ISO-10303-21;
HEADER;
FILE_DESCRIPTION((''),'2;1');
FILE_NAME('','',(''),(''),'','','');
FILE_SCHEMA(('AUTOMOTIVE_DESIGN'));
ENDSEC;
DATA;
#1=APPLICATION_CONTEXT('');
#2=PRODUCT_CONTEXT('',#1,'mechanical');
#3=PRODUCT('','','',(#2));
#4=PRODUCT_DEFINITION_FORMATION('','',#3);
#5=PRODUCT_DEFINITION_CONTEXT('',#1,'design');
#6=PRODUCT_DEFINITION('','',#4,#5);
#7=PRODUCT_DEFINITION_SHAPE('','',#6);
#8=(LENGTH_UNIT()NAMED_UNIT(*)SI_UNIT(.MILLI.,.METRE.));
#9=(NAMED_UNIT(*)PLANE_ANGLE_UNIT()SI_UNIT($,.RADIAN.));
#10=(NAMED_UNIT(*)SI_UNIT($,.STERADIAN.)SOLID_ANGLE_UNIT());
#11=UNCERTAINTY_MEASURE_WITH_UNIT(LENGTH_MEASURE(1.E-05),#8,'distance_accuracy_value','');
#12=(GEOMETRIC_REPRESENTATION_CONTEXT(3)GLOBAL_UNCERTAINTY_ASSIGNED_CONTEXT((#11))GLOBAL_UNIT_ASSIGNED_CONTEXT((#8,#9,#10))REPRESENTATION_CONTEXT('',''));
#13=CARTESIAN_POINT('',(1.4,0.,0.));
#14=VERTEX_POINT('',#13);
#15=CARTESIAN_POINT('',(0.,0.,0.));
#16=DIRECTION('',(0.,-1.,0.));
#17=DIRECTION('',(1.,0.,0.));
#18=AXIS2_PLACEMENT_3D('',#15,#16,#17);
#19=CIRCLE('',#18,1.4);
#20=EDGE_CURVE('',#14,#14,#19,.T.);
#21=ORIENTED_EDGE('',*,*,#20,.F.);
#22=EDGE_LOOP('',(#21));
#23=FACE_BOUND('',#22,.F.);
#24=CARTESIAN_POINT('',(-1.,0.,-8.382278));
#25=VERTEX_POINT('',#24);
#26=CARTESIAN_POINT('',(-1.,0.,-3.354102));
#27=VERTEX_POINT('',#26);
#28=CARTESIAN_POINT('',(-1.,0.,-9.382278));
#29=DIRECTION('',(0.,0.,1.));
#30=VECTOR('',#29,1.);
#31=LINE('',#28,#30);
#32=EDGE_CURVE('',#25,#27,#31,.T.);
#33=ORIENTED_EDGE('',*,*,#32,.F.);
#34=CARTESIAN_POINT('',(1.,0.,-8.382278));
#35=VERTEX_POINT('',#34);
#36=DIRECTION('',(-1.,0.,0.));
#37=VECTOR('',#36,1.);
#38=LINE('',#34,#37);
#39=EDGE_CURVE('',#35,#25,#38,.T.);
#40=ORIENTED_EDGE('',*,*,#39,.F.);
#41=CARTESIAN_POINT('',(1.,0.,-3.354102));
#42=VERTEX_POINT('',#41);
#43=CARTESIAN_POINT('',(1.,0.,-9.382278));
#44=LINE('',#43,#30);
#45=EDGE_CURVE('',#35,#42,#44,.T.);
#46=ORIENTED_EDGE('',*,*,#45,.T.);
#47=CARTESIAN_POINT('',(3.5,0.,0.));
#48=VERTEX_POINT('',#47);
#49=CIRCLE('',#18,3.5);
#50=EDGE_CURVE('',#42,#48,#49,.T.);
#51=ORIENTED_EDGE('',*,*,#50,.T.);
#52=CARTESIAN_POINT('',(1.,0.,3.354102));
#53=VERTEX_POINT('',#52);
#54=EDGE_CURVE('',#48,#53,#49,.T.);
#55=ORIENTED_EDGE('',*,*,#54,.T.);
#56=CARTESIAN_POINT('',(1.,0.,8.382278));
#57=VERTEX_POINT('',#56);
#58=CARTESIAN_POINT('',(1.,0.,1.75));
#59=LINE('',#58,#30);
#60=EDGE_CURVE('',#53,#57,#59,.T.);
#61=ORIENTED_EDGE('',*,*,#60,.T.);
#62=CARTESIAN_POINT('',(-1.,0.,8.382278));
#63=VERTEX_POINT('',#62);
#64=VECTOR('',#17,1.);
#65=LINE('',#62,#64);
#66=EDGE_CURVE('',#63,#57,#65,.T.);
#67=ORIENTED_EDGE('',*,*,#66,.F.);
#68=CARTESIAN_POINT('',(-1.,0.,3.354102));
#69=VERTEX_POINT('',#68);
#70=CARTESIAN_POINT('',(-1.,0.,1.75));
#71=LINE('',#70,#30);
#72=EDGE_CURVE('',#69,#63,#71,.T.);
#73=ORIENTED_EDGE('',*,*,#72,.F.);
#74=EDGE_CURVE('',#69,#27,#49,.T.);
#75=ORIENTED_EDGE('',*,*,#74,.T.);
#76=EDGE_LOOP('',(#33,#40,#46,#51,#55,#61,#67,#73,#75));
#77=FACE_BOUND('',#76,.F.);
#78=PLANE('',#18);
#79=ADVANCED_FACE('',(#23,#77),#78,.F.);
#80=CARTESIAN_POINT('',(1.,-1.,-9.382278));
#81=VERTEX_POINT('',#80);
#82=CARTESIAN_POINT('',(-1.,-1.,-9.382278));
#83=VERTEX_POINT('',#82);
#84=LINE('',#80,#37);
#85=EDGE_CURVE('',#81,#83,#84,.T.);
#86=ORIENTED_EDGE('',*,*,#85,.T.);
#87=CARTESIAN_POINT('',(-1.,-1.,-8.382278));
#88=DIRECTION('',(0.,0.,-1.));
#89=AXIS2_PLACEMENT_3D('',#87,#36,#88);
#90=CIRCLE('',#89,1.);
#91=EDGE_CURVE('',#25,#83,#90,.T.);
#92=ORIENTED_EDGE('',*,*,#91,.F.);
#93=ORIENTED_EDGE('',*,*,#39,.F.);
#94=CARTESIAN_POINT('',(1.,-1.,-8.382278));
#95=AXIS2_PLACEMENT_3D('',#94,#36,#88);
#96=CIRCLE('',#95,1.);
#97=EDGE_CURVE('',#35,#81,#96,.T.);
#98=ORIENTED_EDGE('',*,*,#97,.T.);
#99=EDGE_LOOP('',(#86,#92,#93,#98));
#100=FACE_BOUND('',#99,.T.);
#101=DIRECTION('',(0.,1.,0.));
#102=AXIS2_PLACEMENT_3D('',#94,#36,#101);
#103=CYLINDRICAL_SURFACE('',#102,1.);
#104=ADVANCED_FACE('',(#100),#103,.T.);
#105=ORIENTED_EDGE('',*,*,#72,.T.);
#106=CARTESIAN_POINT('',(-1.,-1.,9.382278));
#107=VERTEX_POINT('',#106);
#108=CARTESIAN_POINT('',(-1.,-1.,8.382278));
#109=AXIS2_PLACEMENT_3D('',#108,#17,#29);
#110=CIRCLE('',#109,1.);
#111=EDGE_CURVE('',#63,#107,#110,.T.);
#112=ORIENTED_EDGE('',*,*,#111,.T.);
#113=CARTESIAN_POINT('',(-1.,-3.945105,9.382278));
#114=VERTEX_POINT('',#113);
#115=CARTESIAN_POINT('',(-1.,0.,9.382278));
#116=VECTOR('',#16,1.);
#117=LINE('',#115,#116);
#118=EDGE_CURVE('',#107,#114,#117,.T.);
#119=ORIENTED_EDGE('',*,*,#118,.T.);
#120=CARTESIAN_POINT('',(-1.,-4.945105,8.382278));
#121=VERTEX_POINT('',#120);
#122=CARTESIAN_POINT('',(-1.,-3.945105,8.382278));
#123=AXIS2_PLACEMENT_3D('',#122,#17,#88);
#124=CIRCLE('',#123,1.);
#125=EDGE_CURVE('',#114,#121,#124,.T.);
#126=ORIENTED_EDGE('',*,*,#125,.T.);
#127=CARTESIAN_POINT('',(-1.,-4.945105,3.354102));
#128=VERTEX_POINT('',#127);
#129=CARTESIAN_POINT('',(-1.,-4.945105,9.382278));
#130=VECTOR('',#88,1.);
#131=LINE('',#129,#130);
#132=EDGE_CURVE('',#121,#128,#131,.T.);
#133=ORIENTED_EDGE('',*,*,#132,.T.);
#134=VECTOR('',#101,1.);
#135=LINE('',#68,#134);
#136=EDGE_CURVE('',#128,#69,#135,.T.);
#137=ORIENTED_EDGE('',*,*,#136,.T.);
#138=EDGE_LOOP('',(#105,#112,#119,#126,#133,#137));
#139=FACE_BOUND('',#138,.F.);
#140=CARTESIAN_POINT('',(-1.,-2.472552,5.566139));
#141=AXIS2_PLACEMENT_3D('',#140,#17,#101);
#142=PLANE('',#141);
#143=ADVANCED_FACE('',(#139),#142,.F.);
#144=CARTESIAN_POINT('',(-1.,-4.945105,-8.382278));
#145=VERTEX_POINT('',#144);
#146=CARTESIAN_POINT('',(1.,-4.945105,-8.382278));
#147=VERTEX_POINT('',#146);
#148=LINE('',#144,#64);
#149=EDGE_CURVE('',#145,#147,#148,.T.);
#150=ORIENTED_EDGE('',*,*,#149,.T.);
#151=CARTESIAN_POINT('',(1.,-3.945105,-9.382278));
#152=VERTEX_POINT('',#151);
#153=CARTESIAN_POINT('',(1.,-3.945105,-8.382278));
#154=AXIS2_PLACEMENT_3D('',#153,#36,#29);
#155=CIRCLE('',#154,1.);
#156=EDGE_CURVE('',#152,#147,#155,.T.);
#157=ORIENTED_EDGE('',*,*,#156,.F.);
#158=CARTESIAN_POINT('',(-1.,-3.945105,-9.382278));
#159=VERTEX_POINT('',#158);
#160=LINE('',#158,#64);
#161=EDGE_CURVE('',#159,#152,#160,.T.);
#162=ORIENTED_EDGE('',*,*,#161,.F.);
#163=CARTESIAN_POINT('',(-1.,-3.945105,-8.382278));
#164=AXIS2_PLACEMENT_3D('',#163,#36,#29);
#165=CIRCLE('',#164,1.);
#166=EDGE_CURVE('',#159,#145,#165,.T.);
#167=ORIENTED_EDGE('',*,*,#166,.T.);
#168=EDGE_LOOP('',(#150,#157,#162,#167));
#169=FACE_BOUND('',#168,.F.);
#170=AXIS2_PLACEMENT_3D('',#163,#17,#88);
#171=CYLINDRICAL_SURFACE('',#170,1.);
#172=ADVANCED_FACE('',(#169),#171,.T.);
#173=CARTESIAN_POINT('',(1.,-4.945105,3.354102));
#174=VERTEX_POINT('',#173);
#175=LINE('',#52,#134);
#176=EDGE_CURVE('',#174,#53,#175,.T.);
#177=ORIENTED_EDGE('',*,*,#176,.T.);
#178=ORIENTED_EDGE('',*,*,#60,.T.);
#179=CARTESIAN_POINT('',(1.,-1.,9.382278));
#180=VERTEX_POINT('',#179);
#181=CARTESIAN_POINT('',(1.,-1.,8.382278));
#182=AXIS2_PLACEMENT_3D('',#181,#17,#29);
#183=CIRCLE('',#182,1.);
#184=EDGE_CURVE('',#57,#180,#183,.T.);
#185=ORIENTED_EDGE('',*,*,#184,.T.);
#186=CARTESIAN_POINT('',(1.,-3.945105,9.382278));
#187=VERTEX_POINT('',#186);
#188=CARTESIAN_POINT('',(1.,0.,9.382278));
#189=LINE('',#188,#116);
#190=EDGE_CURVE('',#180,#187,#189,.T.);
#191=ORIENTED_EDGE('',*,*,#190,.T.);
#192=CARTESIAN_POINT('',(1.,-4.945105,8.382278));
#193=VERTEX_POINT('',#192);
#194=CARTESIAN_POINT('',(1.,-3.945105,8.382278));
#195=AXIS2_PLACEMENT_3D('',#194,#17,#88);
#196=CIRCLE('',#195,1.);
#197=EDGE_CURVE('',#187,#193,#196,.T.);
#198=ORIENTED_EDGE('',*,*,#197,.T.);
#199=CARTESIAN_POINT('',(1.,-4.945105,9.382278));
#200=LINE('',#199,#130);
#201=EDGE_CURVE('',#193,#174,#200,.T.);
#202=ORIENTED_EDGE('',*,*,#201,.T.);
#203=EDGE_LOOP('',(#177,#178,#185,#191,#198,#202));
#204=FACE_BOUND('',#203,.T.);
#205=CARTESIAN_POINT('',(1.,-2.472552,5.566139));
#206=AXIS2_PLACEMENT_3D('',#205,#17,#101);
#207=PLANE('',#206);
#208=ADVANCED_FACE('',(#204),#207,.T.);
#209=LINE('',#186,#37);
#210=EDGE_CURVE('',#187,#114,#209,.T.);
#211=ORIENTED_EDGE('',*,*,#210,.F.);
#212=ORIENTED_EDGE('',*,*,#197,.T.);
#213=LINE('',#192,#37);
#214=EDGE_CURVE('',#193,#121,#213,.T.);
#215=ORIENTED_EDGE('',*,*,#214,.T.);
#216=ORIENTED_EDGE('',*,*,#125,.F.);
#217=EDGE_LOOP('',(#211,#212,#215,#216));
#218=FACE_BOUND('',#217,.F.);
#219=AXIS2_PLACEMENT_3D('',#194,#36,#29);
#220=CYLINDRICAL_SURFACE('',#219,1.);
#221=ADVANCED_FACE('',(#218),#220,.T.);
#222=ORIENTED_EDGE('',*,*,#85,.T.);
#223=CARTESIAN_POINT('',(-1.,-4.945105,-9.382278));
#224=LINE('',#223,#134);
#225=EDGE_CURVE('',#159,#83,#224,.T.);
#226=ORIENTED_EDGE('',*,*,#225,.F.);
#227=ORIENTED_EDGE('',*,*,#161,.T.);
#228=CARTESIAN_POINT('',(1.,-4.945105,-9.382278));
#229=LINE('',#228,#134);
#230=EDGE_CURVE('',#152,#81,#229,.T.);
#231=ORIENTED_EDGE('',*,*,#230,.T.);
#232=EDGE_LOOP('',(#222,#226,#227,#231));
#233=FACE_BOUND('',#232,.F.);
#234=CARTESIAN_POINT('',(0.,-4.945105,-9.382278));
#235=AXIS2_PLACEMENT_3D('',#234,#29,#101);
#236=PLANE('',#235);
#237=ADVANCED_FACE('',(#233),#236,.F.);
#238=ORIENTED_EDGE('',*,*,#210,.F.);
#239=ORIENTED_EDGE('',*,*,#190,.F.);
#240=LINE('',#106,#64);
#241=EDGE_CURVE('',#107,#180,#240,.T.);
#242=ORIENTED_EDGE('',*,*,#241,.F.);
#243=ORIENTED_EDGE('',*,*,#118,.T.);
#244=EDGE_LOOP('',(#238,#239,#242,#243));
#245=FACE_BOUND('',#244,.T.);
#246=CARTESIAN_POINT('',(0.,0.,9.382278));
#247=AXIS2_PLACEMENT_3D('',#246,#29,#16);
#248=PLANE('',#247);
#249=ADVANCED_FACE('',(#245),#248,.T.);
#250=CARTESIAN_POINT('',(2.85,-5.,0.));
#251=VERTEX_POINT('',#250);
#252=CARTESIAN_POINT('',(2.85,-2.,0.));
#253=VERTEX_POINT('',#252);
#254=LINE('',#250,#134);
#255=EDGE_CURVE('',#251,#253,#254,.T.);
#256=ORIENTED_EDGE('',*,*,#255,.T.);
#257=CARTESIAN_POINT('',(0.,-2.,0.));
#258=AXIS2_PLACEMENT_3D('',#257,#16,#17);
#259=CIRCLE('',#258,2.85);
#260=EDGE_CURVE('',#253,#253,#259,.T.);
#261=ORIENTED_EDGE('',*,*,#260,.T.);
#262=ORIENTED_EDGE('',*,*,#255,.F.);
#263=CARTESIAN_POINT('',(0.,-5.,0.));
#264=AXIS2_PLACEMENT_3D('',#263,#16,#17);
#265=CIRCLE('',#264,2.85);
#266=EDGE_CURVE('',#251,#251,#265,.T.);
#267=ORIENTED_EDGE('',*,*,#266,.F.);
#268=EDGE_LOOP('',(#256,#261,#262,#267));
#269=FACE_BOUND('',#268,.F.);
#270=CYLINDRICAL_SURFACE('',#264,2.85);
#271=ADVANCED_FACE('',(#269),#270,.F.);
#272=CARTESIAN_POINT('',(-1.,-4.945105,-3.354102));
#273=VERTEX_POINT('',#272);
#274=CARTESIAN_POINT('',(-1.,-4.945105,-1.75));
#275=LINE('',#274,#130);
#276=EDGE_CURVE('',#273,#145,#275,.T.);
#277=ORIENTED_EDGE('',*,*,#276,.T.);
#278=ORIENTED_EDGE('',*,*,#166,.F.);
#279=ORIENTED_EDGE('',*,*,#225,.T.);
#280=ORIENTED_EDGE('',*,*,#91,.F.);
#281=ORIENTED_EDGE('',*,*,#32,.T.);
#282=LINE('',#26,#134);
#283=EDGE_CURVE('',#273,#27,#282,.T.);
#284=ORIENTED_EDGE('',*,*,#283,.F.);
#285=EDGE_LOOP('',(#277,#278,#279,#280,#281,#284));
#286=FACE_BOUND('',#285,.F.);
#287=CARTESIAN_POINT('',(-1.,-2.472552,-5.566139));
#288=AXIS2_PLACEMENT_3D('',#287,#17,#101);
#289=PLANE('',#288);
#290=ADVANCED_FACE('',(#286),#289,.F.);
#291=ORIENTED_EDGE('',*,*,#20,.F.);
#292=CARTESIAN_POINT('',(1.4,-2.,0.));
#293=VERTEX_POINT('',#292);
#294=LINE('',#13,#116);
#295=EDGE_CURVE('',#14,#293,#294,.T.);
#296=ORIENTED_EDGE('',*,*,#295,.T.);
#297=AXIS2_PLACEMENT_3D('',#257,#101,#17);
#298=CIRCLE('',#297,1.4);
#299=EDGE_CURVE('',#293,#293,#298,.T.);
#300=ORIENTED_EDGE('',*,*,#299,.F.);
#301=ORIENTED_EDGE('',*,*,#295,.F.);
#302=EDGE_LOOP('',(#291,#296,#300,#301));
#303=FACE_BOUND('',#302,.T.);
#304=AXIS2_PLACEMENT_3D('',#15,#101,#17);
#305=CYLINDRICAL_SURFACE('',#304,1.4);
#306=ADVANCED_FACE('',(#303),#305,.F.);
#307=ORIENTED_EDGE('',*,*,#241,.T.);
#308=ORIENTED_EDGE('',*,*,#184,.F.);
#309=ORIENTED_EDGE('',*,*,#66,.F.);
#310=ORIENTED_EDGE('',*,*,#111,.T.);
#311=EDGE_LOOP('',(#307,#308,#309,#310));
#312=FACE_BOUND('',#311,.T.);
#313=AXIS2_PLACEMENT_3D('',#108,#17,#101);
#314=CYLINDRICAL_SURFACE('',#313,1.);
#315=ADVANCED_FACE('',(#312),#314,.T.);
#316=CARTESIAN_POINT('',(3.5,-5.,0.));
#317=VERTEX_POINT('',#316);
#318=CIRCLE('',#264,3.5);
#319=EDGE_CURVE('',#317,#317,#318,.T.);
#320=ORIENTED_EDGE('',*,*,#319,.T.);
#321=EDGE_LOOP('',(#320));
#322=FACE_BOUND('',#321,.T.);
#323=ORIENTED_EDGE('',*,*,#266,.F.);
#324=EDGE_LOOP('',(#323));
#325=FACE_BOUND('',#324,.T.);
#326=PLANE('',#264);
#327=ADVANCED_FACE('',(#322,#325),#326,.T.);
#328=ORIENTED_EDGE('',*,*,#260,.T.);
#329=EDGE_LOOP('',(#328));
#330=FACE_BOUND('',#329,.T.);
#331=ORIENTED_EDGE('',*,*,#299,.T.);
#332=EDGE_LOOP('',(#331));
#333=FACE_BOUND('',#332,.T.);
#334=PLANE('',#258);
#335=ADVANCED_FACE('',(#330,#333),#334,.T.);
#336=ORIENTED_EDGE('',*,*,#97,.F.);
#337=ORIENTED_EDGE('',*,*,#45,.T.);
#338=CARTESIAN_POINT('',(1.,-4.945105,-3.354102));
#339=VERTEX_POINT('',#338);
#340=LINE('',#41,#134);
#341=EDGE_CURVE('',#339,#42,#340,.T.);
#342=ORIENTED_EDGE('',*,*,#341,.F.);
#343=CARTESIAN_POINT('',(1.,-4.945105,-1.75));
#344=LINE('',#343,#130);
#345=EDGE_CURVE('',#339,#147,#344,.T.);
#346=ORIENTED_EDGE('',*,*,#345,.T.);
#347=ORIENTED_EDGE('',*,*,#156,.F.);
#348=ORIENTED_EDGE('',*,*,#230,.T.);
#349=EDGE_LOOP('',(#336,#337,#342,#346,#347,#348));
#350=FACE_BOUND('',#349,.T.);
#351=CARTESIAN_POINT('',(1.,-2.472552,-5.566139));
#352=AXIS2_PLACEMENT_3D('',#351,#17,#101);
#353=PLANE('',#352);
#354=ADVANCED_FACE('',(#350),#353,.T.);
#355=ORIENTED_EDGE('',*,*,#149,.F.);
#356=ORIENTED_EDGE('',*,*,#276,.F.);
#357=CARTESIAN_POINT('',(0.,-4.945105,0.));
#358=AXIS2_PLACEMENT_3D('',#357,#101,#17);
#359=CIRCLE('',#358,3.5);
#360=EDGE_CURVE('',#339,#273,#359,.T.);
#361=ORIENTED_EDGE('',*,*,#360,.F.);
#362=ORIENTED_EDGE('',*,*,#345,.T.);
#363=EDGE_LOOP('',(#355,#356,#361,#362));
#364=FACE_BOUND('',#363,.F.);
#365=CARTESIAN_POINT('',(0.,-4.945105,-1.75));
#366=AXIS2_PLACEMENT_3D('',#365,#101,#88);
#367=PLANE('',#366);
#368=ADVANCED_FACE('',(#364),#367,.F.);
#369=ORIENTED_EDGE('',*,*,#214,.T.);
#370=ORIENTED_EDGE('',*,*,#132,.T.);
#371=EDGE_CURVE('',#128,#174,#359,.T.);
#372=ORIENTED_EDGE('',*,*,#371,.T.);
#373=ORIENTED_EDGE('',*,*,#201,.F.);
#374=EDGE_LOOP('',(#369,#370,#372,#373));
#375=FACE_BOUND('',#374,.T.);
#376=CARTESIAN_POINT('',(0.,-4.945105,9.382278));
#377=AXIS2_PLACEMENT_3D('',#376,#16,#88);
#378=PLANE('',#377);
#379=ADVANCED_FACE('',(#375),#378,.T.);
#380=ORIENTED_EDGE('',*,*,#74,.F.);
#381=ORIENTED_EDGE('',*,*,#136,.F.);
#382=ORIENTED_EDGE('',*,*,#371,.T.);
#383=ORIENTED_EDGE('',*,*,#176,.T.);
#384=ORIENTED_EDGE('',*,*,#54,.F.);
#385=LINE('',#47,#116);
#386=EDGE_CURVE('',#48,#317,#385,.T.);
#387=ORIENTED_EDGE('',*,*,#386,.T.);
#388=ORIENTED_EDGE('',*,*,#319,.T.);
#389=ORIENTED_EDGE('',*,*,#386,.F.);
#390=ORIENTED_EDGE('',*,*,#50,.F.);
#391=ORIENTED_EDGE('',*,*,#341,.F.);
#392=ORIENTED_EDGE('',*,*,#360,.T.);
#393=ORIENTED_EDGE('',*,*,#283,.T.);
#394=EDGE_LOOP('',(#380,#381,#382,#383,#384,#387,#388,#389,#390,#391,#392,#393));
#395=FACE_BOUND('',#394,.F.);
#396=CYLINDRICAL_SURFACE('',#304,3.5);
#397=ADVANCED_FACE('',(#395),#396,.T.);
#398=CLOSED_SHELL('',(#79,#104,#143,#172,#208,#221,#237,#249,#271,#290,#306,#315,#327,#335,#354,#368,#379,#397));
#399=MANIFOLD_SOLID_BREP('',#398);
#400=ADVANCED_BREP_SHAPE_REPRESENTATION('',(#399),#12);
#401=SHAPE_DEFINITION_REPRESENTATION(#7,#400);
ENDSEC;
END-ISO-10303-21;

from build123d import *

# Parameters (mm, degrees)
F0_R     = 3.5
F0_R_2   = 1.4
F1_DEPTH = 5
F4_DEPTH = 1
F2_R     = 2.85
F5_DEPTH = 3
F6_R     = 1


with BuildPart() as f1:
    # F0 (on Front) → F1 (new body)
    with BuildSketch(Plane.XZ):
        Circle(F0_R)
        Circle(F0_R_2, mode=Mode.SUBTRACT)
    extrude(amount=F1_DEPTH)

    # F3 (on Right) → F4 (join, symmetric)
    with BuildSketch(Plane.YZ):
        Polygon((0, -3.5), (0, -1.75), (-4.945105, -1.75), (-4.945105, -3.382278), (-4.945105, -3.5), (-4.945105, -9.382278), (0, -9.382278), align=None)
        Polygon((-4.945105, 1.75), (0, 1.75), (0, 3.5), (0, 9.382278), (-4.945105, 9.382278), (-4.945105, 3.5), (-4.945105, 3.382278), align=None)
    extrude(amount=F4_DEPTH, both=True)

    # F2 (on face) → F5 (cut)
    with BuildSketch(Plane.XZ.offset(5)):
        Circle(F2_R)
    extrude(amount=-F5_DEPTH, mode=Mode.SUBTRACT)

    # F6
    f6_edges = [f1.edges().sort_by_distance(p)[0] for p in [
        (0, -4.945105, 9.382278),
        (0, 0, 9.382278),
        (0, -4.945105, -9.382278),
        (0, 0, -9.382278),
    ]]
    fillet(f6_edges, radius=F6_R)


solid = f1.part
